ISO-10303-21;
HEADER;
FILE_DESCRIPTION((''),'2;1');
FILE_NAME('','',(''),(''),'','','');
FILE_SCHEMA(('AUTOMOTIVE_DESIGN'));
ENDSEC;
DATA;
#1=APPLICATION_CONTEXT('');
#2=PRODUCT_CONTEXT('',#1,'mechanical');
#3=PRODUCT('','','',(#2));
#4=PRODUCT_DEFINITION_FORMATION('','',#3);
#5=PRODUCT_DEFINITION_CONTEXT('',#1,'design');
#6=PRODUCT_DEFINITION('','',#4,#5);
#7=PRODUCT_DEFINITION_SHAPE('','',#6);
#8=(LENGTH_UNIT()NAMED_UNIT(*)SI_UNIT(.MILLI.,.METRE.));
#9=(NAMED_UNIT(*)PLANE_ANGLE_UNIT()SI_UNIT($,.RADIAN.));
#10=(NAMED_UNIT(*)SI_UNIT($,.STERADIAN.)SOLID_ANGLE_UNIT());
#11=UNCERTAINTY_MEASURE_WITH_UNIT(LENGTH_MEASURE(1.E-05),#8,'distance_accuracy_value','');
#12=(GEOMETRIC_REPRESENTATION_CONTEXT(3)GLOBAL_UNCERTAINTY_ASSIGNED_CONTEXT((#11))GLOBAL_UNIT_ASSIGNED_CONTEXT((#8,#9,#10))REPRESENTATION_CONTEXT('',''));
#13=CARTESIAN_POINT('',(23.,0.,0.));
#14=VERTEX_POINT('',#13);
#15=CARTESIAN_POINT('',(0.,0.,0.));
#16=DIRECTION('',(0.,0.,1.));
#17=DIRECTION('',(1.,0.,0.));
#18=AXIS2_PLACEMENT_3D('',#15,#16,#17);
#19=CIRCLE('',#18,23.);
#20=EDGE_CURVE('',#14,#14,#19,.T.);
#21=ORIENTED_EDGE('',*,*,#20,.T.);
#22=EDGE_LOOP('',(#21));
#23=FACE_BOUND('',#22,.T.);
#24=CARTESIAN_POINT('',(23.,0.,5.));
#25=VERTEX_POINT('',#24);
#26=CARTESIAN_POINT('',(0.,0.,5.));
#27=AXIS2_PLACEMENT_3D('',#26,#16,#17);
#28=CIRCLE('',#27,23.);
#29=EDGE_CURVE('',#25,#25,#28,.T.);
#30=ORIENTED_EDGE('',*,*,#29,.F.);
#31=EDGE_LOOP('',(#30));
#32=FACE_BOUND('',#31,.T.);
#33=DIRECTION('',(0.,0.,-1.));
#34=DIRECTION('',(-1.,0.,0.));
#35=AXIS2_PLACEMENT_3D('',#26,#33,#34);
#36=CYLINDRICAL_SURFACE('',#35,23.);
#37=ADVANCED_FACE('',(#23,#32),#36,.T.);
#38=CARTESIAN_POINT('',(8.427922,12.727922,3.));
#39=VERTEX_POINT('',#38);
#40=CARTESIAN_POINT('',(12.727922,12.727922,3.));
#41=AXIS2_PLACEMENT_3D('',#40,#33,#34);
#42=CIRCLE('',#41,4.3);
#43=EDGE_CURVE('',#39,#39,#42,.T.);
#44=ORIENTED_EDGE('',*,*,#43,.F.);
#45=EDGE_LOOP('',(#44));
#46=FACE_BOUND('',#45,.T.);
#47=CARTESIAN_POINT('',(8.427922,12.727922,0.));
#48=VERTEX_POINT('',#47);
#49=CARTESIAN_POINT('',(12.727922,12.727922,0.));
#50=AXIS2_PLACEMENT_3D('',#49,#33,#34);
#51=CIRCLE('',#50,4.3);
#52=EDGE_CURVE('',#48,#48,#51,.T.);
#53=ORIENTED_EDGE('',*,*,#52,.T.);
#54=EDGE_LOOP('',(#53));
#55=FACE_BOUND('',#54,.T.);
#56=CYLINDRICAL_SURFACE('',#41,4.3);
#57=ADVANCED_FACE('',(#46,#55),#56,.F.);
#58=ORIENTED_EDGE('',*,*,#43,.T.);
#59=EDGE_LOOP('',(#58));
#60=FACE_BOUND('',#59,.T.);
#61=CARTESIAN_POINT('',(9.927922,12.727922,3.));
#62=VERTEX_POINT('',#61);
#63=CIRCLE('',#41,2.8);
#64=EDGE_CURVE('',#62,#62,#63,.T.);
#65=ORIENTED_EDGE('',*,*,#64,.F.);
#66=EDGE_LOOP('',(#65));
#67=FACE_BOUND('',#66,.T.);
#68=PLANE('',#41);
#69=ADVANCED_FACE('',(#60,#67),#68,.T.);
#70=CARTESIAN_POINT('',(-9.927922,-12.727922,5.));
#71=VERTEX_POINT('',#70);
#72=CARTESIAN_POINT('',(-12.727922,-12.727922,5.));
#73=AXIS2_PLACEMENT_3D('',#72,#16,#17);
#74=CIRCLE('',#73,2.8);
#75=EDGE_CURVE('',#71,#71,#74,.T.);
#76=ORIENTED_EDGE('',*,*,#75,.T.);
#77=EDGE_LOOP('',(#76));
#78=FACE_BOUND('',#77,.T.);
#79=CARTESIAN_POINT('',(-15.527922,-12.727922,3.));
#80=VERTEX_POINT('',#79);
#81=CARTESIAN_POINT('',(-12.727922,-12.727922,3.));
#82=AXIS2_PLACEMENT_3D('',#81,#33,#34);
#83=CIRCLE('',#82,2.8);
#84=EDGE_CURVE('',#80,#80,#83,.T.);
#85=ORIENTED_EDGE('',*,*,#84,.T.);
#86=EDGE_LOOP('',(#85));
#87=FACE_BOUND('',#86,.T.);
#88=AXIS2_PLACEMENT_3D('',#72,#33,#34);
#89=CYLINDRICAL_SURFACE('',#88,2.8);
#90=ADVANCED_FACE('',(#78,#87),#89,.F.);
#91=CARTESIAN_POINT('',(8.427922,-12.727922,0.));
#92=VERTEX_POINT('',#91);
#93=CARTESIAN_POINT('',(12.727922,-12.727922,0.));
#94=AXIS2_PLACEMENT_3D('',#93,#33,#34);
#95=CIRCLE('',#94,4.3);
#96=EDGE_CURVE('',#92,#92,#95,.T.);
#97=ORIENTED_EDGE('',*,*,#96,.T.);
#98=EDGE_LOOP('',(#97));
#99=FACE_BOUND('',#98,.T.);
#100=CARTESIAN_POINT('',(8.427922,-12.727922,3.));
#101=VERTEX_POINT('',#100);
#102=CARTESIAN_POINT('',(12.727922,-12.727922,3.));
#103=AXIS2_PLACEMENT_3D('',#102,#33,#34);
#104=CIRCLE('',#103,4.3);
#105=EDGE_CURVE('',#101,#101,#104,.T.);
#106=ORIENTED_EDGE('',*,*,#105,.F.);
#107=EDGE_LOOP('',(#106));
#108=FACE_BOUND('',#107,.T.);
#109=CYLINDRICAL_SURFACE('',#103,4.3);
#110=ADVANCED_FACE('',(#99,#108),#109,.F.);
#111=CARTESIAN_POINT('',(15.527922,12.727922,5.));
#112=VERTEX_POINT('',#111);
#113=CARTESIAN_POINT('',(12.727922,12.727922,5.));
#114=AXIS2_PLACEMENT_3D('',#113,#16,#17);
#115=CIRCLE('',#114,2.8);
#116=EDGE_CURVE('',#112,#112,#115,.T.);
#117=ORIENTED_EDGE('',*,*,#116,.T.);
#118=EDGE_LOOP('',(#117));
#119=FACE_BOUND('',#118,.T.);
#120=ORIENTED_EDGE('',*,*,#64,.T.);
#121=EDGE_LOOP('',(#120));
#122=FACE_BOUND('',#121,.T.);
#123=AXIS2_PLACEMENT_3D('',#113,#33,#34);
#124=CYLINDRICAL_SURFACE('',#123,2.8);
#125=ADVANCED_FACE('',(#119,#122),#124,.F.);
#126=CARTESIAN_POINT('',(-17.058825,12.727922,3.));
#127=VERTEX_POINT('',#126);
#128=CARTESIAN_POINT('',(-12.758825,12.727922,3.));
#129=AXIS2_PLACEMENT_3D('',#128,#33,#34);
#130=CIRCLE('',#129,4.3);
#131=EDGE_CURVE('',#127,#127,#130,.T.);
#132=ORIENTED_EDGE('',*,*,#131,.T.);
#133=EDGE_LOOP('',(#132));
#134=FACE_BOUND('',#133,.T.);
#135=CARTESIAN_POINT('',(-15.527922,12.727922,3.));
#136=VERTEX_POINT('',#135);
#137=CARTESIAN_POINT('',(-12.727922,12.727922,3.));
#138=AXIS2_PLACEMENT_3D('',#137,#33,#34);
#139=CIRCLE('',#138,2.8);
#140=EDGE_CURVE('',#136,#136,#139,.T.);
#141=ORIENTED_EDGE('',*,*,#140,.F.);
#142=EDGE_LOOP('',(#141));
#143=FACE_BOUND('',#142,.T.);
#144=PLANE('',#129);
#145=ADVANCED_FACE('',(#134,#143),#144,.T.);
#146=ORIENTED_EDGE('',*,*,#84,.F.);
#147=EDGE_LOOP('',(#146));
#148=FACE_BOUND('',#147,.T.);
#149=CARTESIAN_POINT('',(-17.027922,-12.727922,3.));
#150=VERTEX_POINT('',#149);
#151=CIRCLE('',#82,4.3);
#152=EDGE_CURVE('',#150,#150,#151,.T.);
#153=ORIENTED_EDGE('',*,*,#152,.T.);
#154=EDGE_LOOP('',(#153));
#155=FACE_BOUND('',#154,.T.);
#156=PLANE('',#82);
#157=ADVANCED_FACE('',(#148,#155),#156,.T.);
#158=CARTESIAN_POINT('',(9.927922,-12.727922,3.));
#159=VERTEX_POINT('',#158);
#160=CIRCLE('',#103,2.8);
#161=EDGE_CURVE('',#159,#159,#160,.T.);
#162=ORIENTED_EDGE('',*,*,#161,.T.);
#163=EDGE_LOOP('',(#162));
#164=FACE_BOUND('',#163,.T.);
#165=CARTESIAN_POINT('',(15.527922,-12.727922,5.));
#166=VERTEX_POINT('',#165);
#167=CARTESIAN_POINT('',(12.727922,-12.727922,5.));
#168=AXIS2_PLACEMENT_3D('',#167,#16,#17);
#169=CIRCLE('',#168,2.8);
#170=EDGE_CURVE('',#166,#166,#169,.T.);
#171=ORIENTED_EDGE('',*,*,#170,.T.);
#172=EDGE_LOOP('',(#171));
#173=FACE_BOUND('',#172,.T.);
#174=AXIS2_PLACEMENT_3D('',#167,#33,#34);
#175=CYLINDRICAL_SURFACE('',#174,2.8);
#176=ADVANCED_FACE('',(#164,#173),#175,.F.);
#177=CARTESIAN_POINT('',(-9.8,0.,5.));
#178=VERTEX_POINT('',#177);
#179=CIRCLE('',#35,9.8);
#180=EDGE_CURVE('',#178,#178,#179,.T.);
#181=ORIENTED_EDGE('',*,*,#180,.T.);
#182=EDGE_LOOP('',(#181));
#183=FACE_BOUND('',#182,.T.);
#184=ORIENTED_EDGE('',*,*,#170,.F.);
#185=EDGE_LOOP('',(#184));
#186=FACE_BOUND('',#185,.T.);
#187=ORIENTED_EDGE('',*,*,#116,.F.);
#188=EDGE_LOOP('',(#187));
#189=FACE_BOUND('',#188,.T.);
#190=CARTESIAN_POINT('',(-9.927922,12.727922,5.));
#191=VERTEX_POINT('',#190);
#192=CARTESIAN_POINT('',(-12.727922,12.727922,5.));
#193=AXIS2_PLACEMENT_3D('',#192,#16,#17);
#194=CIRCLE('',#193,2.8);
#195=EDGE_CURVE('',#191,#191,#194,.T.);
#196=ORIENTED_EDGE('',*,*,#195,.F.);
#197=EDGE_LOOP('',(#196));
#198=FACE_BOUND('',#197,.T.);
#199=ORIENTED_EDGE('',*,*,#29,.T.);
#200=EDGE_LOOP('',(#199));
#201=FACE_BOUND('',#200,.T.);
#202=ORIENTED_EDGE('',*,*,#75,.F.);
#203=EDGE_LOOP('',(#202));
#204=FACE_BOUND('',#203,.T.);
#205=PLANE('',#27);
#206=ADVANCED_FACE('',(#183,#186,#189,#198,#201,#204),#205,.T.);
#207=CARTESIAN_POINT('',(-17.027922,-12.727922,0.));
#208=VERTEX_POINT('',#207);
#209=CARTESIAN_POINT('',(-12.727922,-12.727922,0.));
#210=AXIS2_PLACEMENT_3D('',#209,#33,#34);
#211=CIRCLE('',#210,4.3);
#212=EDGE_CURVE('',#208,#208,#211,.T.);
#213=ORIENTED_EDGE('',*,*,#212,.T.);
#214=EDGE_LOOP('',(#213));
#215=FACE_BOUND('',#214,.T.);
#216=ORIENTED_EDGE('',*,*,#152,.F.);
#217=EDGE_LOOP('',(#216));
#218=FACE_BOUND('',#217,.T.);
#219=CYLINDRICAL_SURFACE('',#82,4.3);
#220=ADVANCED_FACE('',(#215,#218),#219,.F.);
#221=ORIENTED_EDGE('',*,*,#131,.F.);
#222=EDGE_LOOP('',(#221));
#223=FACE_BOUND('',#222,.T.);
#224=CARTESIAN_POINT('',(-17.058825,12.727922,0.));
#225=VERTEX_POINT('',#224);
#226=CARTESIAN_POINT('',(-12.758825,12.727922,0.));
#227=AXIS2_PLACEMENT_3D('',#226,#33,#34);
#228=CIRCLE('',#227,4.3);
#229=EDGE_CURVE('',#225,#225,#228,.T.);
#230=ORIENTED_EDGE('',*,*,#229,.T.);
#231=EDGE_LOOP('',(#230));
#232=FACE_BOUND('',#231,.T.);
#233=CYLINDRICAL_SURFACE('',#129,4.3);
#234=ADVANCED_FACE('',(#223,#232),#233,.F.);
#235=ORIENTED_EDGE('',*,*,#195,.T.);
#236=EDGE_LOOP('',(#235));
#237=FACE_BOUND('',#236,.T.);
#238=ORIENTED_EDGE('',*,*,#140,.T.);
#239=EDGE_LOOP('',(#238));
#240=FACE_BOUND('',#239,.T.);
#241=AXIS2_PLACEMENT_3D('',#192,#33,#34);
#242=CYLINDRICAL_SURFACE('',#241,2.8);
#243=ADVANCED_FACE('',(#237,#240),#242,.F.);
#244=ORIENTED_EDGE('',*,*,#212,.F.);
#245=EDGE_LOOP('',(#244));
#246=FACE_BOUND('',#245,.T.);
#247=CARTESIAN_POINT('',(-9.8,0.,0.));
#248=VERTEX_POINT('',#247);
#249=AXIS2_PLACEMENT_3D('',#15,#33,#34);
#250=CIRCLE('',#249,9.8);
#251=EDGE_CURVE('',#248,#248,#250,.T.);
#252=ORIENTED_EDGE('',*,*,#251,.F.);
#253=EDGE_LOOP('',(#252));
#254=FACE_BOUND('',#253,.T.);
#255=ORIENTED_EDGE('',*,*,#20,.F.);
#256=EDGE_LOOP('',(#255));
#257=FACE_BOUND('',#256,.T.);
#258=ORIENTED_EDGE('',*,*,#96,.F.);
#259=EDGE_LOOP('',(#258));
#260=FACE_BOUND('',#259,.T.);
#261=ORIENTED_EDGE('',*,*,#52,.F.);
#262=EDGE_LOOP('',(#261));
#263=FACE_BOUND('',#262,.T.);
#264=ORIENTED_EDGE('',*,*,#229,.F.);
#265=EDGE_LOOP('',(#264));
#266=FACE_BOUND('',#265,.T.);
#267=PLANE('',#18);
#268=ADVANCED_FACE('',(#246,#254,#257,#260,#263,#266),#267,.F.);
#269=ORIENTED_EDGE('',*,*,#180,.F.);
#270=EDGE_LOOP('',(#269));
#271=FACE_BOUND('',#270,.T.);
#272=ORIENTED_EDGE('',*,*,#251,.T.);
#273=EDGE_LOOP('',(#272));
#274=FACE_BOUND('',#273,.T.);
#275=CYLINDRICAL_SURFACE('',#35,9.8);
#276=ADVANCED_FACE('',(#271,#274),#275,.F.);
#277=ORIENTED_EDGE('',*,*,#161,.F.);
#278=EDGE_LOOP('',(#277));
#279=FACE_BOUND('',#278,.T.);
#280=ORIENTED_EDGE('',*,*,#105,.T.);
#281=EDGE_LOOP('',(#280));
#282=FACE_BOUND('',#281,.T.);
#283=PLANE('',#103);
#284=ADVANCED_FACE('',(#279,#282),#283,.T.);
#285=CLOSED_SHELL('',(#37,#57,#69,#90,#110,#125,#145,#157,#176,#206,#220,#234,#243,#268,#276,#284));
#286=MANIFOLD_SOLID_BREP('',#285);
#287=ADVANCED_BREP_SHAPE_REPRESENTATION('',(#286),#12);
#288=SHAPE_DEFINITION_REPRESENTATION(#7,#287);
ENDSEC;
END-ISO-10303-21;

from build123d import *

# Parameters (mm, degrees)
SCHIZZO2_R                   = 23
SCHIZZO2_R_2                 = 2.8
ESTRUSIONE_ESTRUSIONE3_DEPTH = 5
SCHIZZO5_R                   = 4.3
TAGLIO_ESTRUSIONE1_DEPTH     = 3
SCHIZZO6_R                   = 9.8
TAGLIO_ESTRUSIONE2_DEPTH     = 33.908965344


with BuildPart() as part:
    # Schizzo2 → Estrusione-Estrusione3 (new body)
    with BuildSketch(Plane.XY):
        Circle(SCHIZZO2_R)
        with Locations((-12.727922061, 12.727922061)):
            Circle(SCHIZZO2_R_2, mode=Mode.SUBTRACT)
        with Locations((12.727922061, 12.727922061)):
            Circle(SCHIZZO2_R_2, mode=Mode.SUBTRACT)
        with Locations((12.727922061, -12.727922061)):
            Circle(SCHIZZO2_R_2, mode=Mode.SUBTRACT)
        with Locations((-12.727922061, -12.727922061)):
            Circle(SCHIZZO2_R_2, mode=Mode.SUBTRACT)
    extrude(amount=ESTRUSIONE_ESTRUSIONE3_DEPTH)

    # Schizzo5 → Taglio-Estrusione1 (cut)
    with BuildSketch(Plane(origin=(0, 0, 0), x_dir=(-1, 0, 0), z_dir=(0, 0, -1))):
        with Locations((-12.727922061, 12.727922061)):
            Circle(SCHIZZO5_R)
        with Locations((12.758824691, 12.727922061)):
            Circle(SCHIZZO5_R)
        with Locations((12.727922061, -12.727922061)):
            Circle(SCHIZZO5_R)
        with Locations((-12.727922061, -12.727922061)):
            Circle(SCHIZZO5_R)
    extrude(amount=-TAGLIO_ESTRUSIONE1_DEPTH, mode=Mode.SUBTRACT)

    # Schizzo6 → Taglio-Estrusione2 (cut, through all)
    with BuildSketch(Plane(origin=(0, 0, 0), x_dir=(-1, 0, 0), z_dir=(0, 0, -1))):
        Circle(SCHIZZO6_R)
    extrude(amount=-TAGLIO_ESTRUSIONE2_DEPTH, mode=Mode.SUBTRACT)


solid = part.part
